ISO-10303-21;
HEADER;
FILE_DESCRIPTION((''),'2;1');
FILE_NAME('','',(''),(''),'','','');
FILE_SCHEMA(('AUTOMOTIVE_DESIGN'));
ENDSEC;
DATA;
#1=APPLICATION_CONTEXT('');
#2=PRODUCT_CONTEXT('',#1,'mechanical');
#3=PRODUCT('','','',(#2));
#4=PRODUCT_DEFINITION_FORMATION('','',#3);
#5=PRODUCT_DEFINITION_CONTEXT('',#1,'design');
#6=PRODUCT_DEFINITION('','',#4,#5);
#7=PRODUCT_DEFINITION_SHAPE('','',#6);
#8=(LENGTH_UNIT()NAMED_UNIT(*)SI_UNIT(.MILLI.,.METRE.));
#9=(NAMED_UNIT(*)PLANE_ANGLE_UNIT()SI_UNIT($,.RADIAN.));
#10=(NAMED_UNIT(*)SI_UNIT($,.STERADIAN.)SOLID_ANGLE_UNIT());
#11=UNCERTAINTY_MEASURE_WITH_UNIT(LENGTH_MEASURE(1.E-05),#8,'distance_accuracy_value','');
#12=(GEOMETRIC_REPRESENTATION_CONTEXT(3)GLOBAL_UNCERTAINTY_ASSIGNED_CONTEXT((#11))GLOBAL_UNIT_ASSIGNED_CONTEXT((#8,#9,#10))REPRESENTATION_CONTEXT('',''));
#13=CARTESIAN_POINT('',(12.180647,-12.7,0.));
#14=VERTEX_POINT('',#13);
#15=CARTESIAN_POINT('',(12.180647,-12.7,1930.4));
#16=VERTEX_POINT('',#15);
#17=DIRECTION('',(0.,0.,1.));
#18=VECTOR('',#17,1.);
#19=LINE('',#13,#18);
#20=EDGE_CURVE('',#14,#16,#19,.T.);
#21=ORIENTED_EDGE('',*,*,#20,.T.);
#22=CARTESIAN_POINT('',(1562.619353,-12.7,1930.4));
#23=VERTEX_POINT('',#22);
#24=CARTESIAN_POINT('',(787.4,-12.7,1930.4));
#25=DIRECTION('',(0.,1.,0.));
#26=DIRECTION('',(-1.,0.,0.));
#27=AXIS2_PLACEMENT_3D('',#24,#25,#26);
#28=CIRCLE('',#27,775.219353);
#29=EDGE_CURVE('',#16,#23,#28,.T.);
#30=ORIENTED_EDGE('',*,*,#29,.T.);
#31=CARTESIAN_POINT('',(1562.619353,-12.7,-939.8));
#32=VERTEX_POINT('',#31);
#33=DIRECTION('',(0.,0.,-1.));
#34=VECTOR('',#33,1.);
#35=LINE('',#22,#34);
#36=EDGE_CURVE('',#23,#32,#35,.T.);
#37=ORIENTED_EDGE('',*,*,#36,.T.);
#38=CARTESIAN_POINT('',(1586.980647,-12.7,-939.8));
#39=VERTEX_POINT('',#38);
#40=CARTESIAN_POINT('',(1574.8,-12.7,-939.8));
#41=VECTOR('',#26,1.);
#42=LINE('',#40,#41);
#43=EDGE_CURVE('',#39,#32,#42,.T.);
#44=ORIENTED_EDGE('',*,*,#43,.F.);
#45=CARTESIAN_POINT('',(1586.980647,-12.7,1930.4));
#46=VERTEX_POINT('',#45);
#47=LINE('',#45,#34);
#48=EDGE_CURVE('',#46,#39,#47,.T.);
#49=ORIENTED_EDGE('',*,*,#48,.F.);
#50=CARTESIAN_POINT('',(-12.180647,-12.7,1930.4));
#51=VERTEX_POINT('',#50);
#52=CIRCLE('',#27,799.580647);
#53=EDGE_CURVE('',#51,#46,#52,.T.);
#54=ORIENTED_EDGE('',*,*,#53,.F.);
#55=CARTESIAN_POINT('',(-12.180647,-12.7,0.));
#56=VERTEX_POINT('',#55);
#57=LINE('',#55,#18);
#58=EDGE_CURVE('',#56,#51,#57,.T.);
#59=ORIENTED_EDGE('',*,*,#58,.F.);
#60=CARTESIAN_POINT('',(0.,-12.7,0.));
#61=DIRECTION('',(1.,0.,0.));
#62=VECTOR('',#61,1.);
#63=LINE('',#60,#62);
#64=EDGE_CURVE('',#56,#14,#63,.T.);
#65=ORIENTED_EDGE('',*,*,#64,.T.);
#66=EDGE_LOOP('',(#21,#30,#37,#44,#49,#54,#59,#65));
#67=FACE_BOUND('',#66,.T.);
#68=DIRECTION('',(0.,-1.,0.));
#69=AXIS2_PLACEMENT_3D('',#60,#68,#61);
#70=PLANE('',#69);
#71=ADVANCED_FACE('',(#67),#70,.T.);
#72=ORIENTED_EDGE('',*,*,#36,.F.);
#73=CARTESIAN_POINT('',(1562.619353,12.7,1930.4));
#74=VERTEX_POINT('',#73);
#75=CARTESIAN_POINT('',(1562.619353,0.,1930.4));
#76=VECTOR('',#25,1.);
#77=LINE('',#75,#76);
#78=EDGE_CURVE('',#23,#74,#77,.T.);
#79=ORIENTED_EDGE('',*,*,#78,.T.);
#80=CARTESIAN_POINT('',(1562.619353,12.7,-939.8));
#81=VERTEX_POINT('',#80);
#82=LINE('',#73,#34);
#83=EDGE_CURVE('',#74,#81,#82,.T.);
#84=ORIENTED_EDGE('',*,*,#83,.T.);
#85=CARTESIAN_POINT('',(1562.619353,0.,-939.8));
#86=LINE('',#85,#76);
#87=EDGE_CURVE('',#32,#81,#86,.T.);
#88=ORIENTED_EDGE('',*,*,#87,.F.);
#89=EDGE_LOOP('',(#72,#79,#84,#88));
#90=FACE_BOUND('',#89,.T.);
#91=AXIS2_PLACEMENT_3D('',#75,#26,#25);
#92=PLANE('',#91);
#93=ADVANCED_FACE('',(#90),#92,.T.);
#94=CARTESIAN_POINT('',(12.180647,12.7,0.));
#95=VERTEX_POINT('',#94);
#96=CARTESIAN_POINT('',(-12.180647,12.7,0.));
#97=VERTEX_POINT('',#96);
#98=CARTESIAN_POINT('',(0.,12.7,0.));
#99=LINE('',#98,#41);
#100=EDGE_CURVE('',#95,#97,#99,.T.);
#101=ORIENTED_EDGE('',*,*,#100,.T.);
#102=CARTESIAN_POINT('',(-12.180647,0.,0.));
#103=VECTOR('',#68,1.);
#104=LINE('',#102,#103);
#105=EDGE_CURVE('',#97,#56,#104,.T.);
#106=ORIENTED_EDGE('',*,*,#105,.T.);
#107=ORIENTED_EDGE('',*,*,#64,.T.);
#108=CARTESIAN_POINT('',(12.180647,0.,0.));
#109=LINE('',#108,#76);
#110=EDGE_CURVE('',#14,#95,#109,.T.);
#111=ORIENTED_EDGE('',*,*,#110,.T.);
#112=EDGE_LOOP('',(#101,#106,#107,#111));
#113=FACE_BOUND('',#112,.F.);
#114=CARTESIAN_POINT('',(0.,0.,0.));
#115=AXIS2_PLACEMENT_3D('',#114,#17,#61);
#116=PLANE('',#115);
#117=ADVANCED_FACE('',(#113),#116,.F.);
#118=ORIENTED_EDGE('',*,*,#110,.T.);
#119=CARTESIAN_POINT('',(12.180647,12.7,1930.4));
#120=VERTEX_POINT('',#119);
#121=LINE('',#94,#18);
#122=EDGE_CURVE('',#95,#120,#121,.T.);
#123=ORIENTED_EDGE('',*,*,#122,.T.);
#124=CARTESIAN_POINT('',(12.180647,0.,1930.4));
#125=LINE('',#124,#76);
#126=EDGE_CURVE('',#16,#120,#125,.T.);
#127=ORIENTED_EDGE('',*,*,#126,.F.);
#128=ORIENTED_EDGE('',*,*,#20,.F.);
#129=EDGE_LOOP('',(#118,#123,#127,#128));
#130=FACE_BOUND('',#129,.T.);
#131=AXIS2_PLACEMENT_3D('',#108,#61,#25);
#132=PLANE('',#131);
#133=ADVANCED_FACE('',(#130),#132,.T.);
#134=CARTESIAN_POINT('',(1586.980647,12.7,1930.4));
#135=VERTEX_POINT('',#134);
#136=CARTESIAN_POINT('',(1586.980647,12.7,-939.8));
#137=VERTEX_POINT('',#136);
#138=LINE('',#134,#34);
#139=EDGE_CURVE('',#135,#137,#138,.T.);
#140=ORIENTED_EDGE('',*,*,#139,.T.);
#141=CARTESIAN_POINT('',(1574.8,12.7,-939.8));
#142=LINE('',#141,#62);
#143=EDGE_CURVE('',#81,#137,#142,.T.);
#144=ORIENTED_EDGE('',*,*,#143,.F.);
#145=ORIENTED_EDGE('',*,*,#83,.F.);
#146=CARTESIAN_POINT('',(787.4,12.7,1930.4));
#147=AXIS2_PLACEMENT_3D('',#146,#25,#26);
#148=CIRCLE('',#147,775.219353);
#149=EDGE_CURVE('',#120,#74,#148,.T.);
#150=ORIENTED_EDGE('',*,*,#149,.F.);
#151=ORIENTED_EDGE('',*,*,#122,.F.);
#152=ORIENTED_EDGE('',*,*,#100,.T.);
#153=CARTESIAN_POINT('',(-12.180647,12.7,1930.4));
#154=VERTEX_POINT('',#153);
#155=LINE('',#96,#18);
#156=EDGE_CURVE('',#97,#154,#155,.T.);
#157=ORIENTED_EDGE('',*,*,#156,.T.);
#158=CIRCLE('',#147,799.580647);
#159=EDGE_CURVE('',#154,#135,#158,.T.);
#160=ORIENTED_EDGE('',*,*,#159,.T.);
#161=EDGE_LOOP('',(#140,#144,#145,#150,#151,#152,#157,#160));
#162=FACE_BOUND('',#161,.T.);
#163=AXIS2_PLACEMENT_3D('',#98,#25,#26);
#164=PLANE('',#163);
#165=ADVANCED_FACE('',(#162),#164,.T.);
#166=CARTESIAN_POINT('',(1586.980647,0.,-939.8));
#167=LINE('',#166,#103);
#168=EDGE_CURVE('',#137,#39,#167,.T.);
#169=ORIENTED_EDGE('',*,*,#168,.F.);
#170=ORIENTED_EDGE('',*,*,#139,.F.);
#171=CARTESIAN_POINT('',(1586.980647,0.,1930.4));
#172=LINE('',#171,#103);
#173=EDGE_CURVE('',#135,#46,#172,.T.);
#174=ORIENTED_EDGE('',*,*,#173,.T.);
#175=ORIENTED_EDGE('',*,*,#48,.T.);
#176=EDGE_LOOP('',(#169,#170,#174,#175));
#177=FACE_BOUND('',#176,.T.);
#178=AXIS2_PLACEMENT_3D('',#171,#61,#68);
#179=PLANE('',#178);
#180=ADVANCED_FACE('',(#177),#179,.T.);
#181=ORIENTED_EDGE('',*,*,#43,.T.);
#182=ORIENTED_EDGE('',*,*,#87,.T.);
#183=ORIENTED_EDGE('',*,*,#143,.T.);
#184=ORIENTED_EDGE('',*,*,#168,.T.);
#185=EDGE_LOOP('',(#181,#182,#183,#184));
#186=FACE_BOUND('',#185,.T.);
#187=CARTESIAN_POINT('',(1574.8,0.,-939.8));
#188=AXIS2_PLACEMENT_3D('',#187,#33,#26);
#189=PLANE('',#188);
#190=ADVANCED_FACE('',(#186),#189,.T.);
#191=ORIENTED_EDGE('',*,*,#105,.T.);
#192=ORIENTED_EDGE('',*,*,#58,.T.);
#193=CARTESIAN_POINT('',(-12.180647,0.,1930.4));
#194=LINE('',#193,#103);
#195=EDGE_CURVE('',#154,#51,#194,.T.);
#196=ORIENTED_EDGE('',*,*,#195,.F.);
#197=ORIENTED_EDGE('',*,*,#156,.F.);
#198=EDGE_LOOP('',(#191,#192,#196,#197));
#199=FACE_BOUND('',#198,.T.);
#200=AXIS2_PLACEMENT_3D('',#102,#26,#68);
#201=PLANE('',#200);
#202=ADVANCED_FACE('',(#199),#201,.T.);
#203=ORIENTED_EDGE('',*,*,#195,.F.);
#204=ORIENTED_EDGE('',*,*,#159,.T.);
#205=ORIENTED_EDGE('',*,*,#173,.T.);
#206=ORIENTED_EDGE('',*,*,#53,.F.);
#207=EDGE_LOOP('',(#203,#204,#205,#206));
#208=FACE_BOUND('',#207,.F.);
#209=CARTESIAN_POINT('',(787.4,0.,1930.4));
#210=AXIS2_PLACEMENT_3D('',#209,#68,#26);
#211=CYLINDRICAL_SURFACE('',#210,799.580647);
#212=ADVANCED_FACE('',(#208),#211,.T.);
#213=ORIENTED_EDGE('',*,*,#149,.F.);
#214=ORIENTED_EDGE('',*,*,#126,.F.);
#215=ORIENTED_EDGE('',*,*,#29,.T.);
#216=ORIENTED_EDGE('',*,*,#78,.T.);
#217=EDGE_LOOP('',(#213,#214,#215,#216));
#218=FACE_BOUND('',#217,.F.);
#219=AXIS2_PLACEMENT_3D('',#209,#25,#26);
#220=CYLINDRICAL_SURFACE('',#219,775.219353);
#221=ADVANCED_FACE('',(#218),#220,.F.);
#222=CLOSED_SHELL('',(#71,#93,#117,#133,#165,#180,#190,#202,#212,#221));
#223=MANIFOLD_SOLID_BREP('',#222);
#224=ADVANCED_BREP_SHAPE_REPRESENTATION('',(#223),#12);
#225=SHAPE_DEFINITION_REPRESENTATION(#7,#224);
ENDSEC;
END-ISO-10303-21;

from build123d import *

# Parameters (mm, degrees)
F1_W = 24.3612935813
F1_H = 25.4


with BuildPart() as f2:
    # F2: sweep along a path in F0
    with BuildLine(Plane.XZ) as f2_path:
        Line((0, 0), (0, 1930.4))
        ThreePointArc((0, 1930.4), (787.4, 2717.8), (1574.8, 1930.4))
        Line((1574.8, 1930.4), (1574.8, -939.8))
    # F1 (on Top) → F2 (sweep)
    with BuildSketch(Plane.XY):
        Rectangle(F1_W, F1_H)
    sweep(path=f2_path.line)


solid = f2.part
